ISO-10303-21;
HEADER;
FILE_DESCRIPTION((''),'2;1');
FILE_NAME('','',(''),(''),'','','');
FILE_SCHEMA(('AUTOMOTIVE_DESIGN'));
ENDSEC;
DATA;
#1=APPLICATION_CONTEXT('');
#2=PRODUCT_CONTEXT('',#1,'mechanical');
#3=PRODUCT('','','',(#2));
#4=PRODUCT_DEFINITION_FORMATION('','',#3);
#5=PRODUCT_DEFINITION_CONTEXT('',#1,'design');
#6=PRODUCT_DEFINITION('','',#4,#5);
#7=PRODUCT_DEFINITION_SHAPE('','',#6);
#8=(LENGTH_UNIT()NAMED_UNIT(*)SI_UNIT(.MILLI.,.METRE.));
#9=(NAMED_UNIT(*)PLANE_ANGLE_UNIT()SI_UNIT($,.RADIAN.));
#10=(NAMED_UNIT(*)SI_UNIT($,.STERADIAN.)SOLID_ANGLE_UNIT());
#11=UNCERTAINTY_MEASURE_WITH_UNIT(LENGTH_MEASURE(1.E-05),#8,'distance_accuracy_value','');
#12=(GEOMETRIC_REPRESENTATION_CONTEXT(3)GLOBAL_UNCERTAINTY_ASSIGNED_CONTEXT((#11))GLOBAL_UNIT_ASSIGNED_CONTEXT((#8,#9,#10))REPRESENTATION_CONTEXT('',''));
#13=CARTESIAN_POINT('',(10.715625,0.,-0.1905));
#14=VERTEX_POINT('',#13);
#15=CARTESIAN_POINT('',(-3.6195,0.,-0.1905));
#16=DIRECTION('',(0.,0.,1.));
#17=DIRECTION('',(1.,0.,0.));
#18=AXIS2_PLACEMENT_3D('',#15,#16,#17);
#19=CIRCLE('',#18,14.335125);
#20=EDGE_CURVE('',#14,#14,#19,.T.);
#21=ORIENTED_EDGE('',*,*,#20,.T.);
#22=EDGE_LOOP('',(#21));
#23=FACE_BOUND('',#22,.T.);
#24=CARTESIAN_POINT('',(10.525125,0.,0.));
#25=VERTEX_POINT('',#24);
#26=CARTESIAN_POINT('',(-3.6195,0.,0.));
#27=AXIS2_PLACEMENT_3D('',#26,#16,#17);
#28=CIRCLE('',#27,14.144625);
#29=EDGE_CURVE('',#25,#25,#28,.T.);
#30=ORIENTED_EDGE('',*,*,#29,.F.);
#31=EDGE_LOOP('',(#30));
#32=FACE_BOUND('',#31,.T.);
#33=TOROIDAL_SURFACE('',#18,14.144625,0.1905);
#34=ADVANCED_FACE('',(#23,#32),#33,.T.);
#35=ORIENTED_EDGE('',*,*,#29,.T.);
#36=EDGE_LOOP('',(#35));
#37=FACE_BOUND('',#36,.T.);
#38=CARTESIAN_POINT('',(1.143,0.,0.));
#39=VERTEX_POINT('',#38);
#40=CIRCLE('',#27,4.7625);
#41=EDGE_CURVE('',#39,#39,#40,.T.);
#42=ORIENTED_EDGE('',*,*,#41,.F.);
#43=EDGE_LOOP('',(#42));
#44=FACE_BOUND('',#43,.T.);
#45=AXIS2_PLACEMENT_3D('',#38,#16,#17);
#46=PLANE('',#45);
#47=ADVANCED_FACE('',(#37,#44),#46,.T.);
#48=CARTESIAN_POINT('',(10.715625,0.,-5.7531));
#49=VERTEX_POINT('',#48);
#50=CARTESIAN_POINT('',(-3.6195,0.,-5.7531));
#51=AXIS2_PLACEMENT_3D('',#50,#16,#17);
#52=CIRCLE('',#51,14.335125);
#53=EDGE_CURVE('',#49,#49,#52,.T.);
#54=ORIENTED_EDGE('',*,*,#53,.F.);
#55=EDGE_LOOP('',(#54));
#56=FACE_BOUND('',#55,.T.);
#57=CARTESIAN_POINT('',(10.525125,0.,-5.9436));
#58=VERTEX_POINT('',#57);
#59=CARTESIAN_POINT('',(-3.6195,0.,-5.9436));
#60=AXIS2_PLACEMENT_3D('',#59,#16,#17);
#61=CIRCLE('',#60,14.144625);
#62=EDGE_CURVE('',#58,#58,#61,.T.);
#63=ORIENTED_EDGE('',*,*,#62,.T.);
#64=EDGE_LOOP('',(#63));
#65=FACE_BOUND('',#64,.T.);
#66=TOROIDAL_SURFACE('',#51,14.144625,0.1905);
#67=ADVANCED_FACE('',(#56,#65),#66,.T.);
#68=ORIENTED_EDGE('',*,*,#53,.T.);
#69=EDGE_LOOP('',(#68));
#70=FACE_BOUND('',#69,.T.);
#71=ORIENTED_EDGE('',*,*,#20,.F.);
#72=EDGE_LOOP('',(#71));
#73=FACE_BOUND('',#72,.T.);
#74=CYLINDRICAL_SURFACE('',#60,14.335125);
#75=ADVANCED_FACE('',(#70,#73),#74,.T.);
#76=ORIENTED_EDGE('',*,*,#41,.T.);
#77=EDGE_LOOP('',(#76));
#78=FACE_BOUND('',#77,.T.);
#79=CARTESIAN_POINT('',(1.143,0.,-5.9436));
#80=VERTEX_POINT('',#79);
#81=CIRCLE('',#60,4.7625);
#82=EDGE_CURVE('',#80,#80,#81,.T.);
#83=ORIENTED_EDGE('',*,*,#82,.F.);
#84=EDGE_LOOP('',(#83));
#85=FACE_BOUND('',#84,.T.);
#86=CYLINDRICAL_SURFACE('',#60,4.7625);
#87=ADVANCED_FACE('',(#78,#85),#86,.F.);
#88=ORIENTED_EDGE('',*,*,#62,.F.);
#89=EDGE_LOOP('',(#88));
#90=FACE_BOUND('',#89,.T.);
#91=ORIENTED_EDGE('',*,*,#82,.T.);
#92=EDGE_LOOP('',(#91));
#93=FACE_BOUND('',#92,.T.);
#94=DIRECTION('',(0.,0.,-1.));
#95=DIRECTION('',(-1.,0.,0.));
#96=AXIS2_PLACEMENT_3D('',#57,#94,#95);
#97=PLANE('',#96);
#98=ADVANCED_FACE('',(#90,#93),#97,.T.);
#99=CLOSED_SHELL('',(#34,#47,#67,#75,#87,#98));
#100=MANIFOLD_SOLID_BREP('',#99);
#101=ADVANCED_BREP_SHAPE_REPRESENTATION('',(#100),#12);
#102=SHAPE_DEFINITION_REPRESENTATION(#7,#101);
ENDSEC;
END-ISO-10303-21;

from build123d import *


with BuildPart() as part:
    # Sketch1 → Revolve1 (revolve)
    with BuildSketch(Plane(origin=(0, 0, 0), x_dir=(1, 0, 0), z_dir=(0, 1, 0))):
        with BuildLine():
            Line((1.143, 0), (10.525125, 0))
            ThreePointArc((10.525125, 0), (10.659828842, 0.055796158), (10.715625, 0.1905))
            Line((10.715625, 0.1905), (10.715625, 5.7531))
            ThreePointArc((10.715625, 5.7531), (10.659828842, 5.887803842), (10.525125, 5.9436))
            Line((10.525125, 5.9436), (1.143, 5.9436))
            Line((1.143, 5.9436), (1.143, 0))
        make_face()
    revolve(axis=Axis((-3.6195, 0, -5.9436), (0, 0, 1)))


solid = part.part
